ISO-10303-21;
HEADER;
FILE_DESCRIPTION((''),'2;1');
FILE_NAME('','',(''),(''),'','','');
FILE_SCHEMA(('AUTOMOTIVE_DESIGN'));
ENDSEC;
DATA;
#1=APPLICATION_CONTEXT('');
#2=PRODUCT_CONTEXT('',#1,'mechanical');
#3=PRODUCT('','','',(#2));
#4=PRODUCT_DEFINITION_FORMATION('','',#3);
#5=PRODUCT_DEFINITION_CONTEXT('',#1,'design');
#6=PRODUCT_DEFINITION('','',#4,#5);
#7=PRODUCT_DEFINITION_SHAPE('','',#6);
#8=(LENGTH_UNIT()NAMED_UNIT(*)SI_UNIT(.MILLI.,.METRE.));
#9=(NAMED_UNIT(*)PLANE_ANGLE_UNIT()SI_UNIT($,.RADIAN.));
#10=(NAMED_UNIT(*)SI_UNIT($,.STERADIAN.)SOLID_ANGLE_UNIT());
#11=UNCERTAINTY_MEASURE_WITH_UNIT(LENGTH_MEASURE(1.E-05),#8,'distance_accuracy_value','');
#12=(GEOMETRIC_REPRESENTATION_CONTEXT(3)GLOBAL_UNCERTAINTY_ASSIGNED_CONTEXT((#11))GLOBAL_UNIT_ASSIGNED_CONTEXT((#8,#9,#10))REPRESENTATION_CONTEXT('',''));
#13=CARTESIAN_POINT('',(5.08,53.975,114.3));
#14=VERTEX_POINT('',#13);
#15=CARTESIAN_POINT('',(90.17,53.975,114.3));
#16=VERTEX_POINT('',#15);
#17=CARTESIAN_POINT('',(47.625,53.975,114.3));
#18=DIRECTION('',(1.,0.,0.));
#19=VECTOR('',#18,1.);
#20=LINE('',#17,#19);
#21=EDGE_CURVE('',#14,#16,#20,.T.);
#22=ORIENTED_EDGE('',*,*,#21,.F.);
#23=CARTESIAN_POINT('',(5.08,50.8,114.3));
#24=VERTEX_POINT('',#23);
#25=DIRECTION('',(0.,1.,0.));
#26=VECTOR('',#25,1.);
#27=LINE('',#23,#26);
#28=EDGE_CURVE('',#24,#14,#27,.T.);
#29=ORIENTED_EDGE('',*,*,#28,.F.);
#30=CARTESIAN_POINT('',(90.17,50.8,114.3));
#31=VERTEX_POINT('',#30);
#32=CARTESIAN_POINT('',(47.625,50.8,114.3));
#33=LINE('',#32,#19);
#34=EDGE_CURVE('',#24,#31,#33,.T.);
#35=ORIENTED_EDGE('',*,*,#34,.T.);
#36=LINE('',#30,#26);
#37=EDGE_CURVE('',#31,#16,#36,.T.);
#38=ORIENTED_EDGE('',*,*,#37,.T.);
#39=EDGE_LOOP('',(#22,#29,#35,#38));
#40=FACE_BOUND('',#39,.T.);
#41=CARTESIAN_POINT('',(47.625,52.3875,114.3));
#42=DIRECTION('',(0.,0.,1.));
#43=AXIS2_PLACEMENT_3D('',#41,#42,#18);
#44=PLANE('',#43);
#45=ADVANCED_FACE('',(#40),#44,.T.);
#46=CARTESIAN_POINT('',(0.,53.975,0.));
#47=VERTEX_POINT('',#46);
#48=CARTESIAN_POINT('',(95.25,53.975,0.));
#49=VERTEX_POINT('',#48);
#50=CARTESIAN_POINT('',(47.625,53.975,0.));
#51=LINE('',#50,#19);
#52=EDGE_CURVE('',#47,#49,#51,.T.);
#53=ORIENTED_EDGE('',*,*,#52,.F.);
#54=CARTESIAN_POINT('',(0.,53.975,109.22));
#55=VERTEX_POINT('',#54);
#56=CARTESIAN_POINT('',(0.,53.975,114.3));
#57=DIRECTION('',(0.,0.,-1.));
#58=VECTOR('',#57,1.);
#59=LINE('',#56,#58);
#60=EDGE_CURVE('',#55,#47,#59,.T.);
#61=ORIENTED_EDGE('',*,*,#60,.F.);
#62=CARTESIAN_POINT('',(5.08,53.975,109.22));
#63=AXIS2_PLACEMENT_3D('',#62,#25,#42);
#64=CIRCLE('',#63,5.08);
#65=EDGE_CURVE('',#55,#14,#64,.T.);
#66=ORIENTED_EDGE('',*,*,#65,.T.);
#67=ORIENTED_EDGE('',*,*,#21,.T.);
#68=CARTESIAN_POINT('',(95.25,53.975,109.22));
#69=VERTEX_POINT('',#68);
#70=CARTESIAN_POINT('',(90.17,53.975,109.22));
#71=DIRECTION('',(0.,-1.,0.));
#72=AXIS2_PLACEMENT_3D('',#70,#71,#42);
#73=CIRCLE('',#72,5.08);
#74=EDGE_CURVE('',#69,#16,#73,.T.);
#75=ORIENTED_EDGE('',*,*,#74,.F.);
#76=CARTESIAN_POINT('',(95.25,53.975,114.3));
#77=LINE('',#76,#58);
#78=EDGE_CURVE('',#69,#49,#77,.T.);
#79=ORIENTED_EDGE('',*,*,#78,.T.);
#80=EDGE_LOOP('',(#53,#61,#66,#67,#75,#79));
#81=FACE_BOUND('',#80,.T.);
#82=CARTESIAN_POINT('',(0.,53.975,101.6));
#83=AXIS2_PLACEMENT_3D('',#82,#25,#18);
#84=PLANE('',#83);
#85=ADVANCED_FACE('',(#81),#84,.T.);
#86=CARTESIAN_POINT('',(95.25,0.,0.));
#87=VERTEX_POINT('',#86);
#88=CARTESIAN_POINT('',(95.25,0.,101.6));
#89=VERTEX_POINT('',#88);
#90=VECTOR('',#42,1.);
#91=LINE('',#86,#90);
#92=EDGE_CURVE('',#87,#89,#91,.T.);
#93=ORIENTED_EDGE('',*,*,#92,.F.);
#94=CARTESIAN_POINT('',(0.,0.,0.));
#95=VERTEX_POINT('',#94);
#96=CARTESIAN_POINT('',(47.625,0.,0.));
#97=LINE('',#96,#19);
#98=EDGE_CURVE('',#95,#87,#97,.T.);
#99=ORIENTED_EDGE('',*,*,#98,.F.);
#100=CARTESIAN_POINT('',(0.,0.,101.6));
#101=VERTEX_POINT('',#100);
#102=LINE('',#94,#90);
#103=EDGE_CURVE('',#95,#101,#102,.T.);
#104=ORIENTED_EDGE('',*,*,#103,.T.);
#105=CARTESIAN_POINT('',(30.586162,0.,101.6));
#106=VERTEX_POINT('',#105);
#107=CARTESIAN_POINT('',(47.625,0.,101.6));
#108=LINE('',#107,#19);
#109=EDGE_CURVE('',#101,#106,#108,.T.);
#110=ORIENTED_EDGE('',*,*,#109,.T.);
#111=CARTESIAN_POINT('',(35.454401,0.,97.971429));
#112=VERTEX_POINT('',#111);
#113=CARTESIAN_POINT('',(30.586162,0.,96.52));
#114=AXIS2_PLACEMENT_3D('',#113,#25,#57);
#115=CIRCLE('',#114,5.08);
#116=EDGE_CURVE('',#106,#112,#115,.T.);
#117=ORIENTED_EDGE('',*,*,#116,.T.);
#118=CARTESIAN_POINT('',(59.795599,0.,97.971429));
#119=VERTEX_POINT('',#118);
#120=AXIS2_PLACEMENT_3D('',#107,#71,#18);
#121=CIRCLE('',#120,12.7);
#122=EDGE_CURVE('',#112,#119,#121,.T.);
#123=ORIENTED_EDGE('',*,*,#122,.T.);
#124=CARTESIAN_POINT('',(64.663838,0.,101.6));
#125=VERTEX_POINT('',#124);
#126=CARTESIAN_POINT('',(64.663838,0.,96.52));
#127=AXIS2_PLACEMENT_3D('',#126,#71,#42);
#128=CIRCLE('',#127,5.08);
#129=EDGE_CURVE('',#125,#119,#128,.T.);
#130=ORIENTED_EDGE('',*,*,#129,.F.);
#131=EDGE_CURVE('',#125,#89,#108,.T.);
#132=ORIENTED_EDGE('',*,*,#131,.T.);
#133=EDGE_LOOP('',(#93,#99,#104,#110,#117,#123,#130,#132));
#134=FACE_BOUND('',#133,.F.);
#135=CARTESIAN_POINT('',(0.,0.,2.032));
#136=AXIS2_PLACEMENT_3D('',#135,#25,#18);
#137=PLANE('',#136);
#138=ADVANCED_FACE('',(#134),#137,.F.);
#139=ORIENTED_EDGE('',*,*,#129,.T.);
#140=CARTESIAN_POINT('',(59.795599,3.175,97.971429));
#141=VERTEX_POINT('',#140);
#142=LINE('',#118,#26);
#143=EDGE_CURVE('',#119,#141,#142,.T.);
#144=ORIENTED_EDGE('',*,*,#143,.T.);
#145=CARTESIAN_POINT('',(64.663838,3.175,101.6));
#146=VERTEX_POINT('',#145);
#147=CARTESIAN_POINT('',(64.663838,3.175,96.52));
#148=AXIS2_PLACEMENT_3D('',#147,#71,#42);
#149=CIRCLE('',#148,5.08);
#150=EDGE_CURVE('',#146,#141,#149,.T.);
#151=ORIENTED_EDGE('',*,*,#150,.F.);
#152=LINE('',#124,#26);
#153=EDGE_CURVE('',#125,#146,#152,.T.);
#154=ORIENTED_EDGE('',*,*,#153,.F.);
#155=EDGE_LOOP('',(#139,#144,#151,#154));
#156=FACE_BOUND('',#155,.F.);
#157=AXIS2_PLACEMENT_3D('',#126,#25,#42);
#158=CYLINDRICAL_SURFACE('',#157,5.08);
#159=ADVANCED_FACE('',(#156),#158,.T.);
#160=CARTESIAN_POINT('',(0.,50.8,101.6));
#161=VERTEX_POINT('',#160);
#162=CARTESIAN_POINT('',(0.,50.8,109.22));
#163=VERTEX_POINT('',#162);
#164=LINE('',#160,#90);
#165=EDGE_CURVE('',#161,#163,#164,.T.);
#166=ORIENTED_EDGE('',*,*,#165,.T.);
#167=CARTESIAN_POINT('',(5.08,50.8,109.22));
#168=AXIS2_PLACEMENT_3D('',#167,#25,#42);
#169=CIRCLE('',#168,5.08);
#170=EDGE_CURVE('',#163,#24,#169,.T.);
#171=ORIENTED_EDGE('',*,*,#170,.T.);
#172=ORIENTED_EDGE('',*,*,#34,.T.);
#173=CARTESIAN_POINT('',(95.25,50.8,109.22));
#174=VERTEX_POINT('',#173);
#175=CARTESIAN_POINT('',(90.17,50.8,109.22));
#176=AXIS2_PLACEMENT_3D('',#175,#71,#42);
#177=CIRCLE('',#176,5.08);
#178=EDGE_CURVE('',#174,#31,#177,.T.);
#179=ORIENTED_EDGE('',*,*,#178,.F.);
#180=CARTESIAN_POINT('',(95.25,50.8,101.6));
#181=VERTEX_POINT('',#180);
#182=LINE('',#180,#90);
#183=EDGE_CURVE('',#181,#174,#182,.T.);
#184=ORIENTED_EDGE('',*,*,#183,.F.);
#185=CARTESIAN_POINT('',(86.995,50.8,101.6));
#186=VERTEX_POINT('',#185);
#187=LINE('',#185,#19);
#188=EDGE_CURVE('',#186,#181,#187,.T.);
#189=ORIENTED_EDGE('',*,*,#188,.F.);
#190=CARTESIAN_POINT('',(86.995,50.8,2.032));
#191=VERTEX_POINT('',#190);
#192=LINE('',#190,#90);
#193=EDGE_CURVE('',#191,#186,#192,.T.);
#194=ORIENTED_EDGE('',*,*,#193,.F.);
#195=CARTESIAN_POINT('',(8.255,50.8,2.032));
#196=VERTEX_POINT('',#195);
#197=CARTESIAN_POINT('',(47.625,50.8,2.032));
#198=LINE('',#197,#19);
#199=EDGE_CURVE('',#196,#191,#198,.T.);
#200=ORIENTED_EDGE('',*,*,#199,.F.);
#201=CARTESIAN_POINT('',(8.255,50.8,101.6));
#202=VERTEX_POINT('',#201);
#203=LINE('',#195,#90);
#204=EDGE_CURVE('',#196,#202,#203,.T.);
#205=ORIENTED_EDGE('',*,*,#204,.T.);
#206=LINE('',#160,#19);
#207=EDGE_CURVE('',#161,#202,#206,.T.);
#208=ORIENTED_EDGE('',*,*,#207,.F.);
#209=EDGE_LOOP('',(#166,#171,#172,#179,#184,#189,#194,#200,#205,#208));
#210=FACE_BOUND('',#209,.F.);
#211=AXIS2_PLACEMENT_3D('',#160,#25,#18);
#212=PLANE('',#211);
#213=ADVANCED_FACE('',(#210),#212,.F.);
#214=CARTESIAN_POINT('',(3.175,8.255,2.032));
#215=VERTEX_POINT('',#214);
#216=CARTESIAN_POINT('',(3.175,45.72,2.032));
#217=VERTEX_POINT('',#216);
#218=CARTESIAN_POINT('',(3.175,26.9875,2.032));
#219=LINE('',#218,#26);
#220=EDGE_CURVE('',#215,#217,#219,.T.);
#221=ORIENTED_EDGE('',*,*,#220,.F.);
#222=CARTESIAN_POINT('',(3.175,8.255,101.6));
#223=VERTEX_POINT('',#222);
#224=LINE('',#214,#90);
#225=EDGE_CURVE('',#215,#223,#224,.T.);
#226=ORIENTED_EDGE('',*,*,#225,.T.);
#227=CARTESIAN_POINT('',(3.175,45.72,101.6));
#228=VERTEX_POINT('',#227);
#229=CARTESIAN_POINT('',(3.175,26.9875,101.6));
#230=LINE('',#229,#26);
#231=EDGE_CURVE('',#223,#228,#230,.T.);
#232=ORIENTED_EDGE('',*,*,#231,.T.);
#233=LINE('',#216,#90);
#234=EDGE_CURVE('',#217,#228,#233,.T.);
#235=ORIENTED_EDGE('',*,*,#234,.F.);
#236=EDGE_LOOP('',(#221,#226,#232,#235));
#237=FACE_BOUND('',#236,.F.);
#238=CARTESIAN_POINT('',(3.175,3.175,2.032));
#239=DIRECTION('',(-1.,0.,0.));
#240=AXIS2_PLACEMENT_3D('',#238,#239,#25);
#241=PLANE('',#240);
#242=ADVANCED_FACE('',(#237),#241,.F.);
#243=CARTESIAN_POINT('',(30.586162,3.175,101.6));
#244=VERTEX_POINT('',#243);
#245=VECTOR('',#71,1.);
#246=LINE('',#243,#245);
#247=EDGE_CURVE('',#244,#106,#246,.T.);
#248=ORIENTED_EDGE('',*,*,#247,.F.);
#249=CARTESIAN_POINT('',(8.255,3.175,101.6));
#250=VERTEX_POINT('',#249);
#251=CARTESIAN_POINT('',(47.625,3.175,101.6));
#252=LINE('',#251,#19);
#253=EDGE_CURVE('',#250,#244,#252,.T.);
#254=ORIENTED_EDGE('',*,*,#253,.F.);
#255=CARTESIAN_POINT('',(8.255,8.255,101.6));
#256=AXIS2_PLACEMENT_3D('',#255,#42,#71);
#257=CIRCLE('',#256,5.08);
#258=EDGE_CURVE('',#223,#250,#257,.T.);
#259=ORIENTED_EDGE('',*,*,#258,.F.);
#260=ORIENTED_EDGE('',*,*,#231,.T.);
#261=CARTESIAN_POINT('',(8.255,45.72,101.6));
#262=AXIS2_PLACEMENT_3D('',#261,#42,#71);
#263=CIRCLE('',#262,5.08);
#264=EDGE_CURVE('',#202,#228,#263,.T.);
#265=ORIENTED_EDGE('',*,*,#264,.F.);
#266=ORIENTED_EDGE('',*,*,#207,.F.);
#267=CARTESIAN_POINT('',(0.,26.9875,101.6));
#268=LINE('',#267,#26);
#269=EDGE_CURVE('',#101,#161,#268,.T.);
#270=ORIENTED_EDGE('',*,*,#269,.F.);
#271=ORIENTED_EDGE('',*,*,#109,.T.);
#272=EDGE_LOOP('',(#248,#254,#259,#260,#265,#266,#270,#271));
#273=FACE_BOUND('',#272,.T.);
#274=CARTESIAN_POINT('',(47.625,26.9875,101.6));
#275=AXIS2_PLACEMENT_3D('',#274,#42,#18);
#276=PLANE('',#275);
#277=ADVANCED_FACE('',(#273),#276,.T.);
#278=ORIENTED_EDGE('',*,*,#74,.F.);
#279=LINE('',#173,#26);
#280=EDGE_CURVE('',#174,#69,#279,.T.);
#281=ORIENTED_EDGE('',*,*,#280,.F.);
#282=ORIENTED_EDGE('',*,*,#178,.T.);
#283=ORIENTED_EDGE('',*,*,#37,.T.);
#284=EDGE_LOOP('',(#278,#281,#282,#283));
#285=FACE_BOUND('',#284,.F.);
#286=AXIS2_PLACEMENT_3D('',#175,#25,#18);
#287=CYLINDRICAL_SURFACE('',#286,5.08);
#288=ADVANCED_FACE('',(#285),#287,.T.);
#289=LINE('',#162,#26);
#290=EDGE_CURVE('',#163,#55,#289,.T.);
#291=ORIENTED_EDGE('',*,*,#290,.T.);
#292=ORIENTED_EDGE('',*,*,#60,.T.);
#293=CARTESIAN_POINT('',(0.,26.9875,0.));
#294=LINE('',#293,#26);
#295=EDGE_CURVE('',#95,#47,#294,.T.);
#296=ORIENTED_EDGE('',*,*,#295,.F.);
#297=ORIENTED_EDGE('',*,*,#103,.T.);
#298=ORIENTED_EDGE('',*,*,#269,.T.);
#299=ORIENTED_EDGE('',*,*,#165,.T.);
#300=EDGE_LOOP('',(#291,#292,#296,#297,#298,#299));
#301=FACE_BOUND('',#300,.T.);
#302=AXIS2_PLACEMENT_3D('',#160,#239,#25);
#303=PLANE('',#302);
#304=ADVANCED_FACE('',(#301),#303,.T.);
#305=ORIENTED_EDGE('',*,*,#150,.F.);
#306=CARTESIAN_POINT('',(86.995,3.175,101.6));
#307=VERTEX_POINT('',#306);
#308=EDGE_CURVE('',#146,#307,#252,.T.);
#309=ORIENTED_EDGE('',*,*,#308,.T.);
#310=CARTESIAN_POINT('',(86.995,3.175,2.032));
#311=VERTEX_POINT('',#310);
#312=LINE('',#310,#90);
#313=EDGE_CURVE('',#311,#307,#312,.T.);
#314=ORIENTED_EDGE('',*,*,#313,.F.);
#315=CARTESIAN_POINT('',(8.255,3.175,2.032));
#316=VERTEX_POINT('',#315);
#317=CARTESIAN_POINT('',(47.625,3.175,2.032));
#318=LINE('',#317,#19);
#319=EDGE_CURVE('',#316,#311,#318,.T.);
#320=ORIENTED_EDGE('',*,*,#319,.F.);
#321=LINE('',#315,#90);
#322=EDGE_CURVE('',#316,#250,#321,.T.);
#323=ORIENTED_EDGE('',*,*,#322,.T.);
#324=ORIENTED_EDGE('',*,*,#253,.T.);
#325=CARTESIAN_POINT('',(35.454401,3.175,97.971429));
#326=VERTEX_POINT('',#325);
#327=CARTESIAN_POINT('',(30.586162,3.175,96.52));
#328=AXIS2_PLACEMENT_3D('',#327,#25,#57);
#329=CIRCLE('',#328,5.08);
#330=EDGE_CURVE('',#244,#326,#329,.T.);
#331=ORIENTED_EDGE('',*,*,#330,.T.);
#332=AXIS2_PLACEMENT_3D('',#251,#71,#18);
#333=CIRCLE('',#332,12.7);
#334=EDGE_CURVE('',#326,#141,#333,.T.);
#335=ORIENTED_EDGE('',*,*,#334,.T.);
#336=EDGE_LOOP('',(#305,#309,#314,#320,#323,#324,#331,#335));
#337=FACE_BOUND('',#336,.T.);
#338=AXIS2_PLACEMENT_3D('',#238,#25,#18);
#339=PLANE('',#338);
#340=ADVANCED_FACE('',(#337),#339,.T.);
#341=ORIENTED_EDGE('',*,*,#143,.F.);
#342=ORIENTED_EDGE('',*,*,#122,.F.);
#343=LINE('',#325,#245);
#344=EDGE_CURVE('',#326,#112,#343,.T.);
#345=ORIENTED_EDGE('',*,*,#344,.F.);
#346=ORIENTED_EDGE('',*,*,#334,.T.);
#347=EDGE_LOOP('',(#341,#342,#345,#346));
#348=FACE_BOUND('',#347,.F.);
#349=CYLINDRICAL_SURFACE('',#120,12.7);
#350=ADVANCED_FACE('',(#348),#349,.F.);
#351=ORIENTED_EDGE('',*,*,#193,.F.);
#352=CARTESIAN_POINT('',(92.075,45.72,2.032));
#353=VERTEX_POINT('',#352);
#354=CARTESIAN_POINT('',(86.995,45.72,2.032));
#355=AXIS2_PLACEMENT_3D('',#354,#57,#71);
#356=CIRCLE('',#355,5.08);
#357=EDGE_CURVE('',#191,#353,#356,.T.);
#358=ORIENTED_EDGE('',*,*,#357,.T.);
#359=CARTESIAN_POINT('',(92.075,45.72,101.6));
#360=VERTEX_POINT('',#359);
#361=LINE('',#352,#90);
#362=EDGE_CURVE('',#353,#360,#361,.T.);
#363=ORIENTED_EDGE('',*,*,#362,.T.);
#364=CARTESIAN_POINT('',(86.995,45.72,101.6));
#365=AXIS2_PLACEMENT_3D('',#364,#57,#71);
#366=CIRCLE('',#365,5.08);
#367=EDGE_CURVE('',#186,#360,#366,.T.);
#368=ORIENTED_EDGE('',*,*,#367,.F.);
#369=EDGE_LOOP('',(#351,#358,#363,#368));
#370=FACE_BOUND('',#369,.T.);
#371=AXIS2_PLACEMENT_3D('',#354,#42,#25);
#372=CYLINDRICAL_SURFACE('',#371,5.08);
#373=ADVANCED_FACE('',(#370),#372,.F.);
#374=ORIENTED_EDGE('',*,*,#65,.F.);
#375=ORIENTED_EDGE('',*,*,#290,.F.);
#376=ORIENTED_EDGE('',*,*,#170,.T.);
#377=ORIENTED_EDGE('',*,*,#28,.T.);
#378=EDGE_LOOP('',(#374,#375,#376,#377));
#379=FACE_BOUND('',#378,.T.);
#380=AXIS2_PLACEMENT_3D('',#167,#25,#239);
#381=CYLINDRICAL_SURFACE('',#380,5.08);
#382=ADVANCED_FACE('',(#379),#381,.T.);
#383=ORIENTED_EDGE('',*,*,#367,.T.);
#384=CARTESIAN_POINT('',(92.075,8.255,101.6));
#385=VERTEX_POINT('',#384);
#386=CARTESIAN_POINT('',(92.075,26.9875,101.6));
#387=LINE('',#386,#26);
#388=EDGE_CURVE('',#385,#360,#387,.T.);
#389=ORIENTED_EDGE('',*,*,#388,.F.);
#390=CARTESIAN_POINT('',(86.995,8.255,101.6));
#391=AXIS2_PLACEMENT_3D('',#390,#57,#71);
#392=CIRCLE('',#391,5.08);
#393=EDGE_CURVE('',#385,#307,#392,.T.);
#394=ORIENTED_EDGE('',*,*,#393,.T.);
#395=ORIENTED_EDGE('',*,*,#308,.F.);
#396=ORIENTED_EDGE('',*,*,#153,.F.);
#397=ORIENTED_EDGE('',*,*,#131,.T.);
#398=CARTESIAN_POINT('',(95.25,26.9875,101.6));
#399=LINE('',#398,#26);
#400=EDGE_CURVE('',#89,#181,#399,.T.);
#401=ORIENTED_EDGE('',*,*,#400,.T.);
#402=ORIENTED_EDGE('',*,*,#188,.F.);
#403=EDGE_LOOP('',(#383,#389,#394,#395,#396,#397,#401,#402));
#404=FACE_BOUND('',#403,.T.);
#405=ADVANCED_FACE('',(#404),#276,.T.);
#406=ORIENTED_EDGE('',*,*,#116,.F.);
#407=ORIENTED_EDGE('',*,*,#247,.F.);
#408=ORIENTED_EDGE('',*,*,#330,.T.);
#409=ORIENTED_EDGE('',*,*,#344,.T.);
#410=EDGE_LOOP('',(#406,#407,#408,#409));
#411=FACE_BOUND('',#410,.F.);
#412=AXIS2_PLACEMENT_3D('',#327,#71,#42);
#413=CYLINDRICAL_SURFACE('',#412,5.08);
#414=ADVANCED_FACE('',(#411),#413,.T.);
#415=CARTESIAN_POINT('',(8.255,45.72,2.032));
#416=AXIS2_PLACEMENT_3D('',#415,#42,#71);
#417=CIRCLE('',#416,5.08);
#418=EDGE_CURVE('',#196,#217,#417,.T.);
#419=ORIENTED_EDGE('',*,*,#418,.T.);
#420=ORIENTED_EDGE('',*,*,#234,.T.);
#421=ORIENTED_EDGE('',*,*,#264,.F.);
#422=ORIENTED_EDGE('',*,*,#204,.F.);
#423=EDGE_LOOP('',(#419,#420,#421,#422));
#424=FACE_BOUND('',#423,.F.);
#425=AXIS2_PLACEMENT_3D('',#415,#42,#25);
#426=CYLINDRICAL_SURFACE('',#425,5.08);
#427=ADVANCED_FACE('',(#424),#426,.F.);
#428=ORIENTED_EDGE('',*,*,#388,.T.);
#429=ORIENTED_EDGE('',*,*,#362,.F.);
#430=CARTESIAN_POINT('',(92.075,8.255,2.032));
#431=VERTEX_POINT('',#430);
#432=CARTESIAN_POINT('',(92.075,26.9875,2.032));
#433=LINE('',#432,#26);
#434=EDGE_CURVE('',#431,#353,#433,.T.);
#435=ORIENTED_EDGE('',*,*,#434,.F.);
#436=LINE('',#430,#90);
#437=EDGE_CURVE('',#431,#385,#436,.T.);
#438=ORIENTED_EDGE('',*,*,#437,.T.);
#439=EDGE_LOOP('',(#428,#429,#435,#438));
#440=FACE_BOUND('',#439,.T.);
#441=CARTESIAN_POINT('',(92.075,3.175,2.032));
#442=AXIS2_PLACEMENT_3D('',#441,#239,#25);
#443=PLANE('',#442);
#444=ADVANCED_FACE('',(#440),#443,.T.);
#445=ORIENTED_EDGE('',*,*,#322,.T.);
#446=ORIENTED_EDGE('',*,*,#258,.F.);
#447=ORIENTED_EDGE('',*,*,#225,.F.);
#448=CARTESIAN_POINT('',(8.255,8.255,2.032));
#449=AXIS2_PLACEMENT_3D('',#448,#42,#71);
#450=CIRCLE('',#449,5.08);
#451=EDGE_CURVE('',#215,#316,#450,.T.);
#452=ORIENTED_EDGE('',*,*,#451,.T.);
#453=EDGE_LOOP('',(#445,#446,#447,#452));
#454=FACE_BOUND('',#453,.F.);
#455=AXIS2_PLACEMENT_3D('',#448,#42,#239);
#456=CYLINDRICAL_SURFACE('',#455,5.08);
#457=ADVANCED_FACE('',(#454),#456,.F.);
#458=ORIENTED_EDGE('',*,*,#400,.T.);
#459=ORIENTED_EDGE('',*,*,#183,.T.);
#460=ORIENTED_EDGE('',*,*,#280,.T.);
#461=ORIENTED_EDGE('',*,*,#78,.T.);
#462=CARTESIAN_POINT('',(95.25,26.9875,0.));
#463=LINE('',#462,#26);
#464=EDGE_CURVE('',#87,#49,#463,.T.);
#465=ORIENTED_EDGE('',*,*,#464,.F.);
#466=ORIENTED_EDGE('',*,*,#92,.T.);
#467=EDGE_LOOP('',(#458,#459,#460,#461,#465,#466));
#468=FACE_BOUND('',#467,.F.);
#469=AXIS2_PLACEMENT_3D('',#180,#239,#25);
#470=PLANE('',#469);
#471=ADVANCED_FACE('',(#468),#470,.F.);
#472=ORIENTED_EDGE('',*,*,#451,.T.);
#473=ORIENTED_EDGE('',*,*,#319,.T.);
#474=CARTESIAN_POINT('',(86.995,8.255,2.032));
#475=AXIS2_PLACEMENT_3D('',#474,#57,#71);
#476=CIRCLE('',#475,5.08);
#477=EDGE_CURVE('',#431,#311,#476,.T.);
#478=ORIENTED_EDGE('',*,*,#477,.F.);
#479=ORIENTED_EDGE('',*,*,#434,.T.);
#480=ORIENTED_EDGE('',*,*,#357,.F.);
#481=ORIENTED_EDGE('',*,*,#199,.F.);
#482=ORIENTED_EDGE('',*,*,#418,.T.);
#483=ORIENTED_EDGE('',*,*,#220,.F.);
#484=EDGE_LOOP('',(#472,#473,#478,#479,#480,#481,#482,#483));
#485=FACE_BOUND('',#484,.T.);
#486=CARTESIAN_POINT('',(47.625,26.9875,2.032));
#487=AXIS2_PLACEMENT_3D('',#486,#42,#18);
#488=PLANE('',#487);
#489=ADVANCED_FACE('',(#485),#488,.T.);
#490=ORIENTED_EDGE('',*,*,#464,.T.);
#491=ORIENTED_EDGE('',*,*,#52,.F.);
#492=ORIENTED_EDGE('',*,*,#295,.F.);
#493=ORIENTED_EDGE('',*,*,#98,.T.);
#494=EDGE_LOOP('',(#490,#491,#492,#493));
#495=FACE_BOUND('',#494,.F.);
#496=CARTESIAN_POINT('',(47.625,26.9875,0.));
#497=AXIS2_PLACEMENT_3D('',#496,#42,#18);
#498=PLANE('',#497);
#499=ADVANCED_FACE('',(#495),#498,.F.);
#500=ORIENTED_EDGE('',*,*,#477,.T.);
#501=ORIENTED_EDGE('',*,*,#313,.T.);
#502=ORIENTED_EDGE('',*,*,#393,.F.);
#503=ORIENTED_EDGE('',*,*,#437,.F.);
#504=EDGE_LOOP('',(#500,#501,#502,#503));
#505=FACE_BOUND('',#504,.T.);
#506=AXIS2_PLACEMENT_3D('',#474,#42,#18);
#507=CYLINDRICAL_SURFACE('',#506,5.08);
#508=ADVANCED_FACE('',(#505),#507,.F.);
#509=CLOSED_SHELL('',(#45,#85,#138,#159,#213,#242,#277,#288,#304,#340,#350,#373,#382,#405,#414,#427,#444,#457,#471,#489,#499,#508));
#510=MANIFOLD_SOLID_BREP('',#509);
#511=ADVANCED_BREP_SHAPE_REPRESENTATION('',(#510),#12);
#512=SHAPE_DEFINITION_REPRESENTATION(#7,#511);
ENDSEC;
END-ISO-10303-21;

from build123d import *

# Parameters (mm, degrees)
F0_W     = 95.25
F0_H     = 53.975
F1_DEPTH = 2.032
F2_W     = 95.25
F2_H     = 53.975
F2_W_2   = 88.9
F2_H_2   = 47.625
F3_DEPTH = 99.568
F4_W     = 95.25
F4_H     = 3.175
F5_DEPTH = 12.7
F6_R     = 5.08
F7_R     = 5.08
F8_R     = 12.7
F9_DEPTH = 6.35
F10_R    = 5.08


with BuildPart() as f1:
    # F0 (on Top) → F1 (new body)
    with BuildSketch(Plane.XY):
        with Locations((47.625, 26.9875)):
            Rectangle(F0_W, F0_H)
    extrude(amount=F1_DEPTH)

    # F2 (on face) → F3 (join)
    with BuildSketch(Plane.XY.offset(2.032)):
        with Locations((47.625, 26.9875)):
            Rectangle(F2_W, F2_H)
        with Locations((47.625, 26.9875)):
            Rectangle(F2_W_2, F2_H_2, mode=Mode.SUBTRACT)
    extrude(amount=F3_DEPTH)

    # F4 (on face) → F5 (join)
    with BuildSketch(Plane.XY.offset(101.6)):
        with Locations((47.625, 52.3875)):
            Rectangle(F4_W, F4_H)
    extrude(amount=F5_DEPTH)

    # F6
    f6_edges = [f1.edges().sort_by_distance(p)[0] for p in [
        (0, 52.3875, 114.3),
        (95.25, 52.3875, 114.3),
    ]]
    fillet(f6_edges, radius=F6_R)

    # F7
    f7_edges = [f1.edges().sort_by_distance(p)[0] for p in [
        (92.075, 50.8, 51.816),
        (3.175, 50.8, 51.816),
        (3.175, 3.175, 51.816),
        (92.075, 3.175, 51.816),
    ]]
    fillet(f7_edges, radius=F7_R)

    # F8 (on face) → F9 (cut)
    with BuildSketch(Plane.XZ):
        with Locations((47.625, 101.6)):
            Circle(F8_R)
    extrude(amount=-F9_DEPTH, mode=Mode.SUBTRACT)

    # F10
    f10_edges = [f1.edges().sort_by_distance(p)[0] for p in [
        (60.325, 1.5875, 101.6),
        (34.925, 1.5875, 101.6),
    ]]
    fillet(f10_edges, radius=F10_R)


solid = f1.part
